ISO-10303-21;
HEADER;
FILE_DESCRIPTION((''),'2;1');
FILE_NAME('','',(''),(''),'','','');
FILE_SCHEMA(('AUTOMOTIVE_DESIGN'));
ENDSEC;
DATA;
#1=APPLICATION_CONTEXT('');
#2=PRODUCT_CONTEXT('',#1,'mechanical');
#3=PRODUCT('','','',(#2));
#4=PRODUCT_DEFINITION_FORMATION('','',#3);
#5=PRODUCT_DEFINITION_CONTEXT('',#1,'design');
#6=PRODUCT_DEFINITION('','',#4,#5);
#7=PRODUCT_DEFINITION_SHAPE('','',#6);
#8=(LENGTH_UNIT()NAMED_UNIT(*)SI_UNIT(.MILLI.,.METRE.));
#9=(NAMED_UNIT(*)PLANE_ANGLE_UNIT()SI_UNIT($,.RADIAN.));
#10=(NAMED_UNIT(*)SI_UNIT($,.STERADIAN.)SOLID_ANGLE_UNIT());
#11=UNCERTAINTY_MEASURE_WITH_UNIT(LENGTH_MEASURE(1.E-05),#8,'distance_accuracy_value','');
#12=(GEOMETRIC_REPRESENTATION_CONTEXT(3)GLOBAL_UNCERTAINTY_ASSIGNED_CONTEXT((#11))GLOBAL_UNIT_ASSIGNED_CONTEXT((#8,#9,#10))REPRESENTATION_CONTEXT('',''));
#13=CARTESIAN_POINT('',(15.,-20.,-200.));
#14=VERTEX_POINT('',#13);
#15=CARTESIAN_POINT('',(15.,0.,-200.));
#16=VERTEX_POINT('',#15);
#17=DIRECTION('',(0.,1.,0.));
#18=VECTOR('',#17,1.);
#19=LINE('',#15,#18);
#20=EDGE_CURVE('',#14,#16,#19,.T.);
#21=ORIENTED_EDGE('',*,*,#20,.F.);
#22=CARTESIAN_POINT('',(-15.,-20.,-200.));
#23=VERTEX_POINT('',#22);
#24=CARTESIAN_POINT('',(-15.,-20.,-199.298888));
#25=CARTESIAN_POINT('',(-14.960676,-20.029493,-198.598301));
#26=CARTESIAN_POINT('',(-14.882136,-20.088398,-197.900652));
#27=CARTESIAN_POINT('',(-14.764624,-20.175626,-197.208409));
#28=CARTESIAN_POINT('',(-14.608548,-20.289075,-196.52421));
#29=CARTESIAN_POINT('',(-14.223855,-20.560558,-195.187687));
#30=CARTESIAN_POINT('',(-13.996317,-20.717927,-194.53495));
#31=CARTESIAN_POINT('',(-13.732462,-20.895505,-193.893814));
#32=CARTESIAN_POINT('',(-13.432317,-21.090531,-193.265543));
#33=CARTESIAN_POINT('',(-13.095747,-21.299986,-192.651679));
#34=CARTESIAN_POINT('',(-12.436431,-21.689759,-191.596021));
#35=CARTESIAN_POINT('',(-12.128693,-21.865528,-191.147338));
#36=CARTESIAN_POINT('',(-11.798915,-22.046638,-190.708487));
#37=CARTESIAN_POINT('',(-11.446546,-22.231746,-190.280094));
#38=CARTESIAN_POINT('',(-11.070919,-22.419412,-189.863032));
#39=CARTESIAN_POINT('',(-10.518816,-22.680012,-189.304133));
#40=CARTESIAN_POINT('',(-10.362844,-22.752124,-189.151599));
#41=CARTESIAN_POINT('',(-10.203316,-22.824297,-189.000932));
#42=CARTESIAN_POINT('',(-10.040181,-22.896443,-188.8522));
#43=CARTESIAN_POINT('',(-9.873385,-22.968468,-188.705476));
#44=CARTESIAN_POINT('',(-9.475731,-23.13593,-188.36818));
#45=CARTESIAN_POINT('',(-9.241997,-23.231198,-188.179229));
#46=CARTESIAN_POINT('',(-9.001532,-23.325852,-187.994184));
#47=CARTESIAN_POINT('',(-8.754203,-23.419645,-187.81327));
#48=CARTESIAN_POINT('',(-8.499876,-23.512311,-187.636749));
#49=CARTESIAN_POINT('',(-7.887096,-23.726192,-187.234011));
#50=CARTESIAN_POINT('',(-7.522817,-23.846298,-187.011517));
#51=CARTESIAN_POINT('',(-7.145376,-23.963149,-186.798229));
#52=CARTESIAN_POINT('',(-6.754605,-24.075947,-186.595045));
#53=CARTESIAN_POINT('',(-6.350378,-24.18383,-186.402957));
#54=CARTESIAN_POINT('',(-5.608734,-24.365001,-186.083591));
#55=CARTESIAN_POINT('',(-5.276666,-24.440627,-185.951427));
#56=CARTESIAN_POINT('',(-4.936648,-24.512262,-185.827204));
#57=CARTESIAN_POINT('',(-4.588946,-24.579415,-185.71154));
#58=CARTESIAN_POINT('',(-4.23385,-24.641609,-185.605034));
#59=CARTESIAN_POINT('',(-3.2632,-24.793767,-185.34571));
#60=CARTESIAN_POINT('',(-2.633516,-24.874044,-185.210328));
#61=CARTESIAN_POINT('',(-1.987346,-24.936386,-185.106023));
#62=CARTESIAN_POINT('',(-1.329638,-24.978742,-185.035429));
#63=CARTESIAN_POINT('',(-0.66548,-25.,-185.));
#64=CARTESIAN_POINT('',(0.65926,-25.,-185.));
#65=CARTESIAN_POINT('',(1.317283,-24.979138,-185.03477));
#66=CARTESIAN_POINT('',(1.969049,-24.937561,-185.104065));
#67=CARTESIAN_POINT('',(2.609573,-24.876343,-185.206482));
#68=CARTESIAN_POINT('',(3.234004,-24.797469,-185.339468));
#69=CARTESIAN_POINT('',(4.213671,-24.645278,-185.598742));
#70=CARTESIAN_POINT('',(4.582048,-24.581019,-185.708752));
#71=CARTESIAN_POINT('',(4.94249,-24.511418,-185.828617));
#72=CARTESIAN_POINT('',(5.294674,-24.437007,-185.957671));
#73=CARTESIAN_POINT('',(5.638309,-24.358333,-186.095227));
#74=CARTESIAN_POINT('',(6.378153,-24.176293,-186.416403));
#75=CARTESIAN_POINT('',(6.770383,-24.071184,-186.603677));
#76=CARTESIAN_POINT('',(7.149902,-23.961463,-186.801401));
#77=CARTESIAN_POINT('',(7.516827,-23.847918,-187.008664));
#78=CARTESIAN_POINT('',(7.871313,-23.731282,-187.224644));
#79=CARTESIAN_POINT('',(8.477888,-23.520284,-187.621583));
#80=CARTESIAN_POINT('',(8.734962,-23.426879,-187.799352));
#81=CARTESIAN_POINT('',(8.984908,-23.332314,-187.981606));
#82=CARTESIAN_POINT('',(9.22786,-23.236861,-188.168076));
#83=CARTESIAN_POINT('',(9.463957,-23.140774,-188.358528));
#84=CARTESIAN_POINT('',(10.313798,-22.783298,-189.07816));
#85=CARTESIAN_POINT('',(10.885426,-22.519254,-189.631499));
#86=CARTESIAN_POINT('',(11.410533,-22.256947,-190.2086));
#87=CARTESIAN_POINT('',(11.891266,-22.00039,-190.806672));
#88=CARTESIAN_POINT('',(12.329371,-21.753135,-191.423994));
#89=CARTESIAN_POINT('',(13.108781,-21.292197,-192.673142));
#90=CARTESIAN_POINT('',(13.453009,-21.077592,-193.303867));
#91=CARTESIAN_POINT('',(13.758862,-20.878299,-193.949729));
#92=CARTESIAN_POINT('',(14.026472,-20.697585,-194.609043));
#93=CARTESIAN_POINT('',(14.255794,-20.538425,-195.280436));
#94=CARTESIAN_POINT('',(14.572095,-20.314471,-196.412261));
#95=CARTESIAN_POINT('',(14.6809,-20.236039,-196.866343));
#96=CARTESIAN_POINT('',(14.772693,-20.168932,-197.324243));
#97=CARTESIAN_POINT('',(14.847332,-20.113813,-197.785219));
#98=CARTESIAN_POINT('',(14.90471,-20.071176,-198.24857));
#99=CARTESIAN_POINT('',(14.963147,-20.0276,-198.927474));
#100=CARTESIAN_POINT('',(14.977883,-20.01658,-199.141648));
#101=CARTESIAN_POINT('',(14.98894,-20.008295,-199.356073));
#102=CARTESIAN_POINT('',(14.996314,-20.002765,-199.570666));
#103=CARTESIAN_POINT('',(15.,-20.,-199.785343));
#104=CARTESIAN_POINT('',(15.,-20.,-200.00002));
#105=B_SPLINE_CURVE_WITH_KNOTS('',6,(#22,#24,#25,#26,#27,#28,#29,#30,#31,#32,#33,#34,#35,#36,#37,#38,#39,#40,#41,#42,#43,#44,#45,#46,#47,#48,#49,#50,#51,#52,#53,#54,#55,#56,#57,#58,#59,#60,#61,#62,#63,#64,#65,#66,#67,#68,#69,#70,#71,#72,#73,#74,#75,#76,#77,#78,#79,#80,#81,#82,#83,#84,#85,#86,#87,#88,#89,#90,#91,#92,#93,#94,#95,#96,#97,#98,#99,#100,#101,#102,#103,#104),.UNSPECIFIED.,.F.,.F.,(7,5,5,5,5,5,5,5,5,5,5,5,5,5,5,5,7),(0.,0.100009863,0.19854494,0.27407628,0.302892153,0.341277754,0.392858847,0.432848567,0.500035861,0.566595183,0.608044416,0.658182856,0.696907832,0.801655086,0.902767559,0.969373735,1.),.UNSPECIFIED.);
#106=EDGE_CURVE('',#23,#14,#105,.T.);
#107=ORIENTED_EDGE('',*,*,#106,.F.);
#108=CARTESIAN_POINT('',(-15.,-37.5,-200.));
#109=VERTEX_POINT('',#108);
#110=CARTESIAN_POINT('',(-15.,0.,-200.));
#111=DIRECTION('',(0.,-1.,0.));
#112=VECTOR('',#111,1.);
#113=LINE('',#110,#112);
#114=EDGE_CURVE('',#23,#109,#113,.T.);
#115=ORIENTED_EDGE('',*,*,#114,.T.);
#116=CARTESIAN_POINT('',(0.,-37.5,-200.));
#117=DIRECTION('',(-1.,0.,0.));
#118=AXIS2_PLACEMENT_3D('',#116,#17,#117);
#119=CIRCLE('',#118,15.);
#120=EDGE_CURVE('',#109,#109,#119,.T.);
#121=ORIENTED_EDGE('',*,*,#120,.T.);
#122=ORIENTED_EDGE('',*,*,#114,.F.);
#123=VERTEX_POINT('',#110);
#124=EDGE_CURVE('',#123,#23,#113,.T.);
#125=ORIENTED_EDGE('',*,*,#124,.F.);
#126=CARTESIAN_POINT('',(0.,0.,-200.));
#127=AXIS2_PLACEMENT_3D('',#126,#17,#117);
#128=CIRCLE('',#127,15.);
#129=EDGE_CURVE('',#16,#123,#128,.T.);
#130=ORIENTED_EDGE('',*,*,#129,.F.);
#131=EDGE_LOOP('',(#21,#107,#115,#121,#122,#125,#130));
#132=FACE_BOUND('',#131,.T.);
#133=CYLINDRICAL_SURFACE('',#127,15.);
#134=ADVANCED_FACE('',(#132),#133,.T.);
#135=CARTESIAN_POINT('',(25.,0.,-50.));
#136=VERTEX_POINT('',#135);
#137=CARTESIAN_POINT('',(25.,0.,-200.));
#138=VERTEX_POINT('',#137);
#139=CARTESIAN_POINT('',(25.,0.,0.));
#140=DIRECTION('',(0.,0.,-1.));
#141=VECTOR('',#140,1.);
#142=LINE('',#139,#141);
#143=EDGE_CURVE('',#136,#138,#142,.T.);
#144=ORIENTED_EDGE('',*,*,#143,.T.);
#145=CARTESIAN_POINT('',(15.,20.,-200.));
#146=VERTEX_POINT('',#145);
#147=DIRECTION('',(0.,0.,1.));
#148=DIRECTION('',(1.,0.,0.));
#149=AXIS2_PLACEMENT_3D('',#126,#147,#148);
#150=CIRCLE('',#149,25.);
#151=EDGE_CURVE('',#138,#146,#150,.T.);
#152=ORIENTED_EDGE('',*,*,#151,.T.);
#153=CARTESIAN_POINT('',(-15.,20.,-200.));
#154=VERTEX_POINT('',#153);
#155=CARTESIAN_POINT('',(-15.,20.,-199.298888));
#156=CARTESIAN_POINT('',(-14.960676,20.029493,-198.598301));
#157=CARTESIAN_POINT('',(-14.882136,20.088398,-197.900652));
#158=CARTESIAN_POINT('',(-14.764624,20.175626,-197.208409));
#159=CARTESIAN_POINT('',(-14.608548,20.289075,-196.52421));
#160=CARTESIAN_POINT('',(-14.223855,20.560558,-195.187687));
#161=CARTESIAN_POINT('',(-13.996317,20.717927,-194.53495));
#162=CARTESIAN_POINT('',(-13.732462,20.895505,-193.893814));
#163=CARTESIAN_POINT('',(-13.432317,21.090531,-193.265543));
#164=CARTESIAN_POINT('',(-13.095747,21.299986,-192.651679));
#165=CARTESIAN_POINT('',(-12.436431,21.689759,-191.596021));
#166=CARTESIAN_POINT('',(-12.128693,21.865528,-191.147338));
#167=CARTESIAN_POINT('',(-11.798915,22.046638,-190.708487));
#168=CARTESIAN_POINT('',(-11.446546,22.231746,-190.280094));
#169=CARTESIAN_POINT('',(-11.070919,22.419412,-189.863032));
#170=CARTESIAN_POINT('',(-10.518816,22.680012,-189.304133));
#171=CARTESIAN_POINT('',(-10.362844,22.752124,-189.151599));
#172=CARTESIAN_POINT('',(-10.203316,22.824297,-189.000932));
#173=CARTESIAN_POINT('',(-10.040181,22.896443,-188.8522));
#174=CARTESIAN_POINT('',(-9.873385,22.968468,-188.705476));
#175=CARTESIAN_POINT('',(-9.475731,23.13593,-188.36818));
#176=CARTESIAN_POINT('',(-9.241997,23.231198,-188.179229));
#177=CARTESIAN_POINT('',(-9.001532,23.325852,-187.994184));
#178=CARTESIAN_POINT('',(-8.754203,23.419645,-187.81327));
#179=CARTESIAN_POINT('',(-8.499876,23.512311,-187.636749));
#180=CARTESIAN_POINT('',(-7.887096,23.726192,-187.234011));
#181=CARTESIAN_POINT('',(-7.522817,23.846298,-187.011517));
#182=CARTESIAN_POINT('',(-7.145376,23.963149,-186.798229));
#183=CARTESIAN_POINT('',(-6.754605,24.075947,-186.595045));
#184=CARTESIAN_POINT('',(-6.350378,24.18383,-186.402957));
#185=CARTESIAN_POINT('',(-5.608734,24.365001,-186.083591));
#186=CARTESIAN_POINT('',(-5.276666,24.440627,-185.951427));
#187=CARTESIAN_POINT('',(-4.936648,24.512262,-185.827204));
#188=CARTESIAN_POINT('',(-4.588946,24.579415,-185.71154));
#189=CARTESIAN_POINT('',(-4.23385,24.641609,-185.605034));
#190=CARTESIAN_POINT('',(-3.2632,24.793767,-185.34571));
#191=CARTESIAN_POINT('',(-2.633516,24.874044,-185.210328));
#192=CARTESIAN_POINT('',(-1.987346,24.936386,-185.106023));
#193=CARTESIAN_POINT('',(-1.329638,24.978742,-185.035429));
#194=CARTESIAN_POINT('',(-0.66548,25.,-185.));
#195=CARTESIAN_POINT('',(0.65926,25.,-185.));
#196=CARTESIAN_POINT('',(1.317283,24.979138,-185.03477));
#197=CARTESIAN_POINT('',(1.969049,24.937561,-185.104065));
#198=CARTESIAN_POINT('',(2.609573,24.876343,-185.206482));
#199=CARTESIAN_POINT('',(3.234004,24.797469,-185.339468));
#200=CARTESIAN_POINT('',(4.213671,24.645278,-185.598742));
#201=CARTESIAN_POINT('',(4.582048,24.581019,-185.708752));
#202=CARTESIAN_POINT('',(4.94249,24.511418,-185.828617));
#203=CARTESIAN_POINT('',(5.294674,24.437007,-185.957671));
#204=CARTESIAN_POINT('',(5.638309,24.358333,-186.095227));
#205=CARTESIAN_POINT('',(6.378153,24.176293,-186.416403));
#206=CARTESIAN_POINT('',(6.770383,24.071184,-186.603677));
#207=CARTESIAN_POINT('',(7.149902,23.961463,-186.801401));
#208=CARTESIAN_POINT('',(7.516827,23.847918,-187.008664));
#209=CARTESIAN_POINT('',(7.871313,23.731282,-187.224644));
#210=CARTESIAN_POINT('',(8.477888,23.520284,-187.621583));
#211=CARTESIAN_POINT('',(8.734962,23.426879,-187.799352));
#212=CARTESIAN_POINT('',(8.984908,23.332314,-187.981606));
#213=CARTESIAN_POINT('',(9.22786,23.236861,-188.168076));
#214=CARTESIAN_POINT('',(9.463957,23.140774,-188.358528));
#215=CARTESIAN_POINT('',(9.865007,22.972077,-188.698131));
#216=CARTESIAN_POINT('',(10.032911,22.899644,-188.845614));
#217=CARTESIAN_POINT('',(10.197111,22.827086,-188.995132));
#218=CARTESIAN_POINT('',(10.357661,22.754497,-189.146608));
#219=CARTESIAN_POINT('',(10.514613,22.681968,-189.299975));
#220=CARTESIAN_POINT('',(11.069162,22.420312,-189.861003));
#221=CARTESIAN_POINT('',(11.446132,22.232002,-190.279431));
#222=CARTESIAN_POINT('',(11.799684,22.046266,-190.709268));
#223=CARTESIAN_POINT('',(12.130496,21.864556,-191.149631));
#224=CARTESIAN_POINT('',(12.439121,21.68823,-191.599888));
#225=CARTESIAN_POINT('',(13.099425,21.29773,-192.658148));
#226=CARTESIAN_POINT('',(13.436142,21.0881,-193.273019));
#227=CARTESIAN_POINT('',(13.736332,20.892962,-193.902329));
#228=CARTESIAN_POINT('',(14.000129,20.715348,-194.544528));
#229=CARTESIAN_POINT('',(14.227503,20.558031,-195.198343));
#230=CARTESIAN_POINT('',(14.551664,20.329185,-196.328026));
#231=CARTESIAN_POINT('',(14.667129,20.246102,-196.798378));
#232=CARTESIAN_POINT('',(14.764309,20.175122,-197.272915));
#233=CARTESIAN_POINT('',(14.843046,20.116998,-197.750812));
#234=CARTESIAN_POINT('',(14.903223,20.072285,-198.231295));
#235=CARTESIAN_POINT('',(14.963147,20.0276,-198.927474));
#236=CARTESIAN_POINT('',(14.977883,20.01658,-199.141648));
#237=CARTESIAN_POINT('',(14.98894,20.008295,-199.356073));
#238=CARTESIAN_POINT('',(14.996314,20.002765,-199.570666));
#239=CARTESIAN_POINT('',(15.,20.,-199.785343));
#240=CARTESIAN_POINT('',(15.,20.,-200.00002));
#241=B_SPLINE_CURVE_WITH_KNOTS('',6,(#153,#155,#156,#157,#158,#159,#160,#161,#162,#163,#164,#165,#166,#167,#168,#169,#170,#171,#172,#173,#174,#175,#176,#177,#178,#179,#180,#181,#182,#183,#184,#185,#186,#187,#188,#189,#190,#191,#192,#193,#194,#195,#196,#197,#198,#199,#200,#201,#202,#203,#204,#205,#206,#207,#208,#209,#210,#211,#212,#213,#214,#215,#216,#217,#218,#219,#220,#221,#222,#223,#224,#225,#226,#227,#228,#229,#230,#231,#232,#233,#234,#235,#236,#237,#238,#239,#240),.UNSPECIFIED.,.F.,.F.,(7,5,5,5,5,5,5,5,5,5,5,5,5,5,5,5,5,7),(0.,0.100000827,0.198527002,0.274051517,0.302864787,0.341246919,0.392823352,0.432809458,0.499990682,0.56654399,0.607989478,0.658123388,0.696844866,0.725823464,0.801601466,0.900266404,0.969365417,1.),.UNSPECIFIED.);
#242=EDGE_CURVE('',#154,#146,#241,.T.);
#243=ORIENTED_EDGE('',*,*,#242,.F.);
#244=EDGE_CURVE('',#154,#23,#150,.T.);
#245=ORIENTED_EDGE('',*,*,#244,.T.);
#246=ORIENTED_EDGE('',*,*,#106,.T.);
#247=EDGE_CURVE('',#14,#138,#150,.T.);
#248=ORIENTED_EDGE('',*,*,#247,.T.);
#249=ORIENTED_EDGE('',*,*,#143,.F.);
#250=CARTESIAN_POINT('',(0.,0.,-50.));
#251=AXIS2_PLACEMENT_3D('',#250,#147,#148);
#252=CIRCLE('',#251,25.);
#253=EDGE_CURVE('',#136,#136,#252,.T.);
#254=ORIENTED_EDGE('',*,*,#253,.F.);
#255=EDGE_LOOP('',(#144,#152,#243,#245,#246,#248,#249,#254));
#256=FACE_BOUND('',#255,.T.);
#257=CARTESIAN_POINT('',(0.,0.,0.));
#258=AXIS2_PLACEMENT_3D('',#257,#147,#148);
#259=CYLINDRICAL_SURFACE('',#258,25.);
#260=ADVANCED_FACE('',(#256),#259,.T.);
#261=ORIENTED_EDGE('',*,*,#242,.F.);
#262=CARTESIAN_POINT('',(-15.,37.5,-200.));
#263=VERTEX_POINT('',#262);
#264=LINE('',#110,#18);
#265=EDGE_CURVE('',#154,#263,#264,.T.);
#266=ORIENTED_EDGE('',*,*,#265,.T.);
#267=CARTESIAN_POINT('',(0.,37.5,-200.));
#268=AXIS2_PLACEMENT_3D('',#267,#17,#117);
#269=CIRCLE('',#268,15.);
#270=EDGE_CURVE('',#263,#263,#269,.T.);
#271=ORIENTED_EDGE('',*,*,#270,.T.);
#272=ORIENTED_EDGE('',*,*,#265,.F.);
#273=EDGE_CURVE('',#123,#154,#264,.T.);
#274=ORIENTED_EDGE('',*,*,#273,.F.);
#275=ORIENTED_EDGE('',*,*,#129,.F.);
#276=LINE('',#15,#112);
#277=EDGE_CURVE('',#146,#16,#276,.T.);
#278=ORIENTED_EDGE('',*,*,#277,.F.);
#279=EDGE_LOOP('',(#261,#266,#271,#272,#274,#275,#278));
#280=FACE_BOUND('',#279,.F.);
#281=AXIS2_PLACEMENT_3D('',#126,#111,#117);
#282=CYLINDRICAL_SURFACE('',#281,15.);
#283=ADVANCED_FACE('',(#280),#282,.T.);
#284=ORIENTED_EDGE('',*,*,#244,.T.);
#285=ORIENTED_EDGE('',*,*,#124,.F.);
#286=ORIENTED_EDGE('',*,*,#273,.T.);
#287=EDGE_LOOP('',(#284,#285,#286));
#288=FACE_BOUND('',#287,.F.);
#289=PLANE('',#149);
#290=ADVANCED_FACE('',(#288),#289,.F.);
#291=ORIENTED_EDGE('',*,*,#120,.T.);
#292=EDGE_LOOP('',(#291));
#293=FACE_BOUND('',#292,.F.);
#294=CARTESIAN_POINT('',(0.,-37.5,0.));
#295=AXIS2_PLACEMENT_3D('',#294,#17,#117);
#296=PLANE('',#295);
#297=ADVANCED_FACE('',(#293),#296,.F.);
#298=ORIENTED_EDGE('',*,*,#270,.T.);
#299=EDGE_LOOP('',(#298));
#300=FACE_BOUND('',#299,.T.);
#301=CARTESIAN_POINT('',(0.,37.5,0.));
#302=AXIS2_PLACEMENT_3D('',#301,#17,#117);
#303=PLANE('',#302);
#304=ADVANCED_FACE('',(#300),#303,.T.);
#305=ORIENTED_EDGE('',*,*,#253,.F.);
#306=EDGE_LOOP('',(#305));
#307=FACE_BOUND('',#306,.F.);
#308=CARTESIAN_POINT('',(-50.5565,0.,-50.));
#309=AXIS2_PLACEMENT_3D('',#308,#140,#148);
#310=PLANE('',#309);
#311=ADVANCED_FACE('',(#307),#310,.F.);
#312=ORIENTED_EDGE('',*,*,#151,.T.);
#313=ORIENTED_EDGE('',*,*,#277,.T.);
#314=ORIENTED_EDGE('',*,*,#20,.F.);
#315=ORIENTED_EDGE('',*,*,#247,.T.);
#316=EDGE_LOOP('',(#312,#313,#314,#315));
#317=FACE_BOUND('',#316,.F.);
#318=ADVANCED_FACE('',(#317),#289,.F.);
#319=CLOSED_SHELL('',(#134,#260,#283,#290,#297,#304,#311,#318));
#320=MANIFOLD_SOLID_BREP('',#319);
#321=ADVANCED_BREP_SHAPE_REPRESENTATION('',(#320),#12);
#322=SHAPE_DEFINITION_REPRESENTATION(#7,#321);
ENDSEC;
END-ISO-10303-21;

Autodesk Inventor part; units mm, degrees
sketch "スケッチ3" plane through (0, 0, 0) normal (0, 0, 1) x (1, 0, 0)
  circle A0 centre (0, 0) radius 25
  dimension "d7" = 50
extrude "押し出し2" add sketch "スケッチ3" against normal blind 200
sketch "スケッチ4" plane through (0, 0, 0) normal (0, 1, 0) x (-1, 0, 0)
  line L0 (50.5565, -50) -> (-56.0674, -50)
  line L1 (-56.0674, -50) -> (-56.0674, 47.5615)
  line L2 (-56.0674, 47.5615) -> (50.5565, 47.5615)
  line L3 (50.5565, 47.5615) -> (50.5565, -50)
  line L4 (-77.3922, 0) -> (71.8813, 0) projected
  point P0 (0, 0)
  dimension "d10" = 50
extrude "押し出し3" cut sketch "スケッチ4" along normal mid plane 200
sketch "スケッチ6" plane through (0, 0, 0) normal (0, 1, 0) x (-1, 0, 0)
  circle A0 centre (0, -200) radius 15
  line L0 (-35, 0) -> (35, 0) projected
  point P0 (0, 0)
  dimension "d13" = 30
  dimension "d14" = 200
extrude "押し出し4" add sketch "スケッチ6" along normal mid plane 75
properties part number "UpperarmY"
